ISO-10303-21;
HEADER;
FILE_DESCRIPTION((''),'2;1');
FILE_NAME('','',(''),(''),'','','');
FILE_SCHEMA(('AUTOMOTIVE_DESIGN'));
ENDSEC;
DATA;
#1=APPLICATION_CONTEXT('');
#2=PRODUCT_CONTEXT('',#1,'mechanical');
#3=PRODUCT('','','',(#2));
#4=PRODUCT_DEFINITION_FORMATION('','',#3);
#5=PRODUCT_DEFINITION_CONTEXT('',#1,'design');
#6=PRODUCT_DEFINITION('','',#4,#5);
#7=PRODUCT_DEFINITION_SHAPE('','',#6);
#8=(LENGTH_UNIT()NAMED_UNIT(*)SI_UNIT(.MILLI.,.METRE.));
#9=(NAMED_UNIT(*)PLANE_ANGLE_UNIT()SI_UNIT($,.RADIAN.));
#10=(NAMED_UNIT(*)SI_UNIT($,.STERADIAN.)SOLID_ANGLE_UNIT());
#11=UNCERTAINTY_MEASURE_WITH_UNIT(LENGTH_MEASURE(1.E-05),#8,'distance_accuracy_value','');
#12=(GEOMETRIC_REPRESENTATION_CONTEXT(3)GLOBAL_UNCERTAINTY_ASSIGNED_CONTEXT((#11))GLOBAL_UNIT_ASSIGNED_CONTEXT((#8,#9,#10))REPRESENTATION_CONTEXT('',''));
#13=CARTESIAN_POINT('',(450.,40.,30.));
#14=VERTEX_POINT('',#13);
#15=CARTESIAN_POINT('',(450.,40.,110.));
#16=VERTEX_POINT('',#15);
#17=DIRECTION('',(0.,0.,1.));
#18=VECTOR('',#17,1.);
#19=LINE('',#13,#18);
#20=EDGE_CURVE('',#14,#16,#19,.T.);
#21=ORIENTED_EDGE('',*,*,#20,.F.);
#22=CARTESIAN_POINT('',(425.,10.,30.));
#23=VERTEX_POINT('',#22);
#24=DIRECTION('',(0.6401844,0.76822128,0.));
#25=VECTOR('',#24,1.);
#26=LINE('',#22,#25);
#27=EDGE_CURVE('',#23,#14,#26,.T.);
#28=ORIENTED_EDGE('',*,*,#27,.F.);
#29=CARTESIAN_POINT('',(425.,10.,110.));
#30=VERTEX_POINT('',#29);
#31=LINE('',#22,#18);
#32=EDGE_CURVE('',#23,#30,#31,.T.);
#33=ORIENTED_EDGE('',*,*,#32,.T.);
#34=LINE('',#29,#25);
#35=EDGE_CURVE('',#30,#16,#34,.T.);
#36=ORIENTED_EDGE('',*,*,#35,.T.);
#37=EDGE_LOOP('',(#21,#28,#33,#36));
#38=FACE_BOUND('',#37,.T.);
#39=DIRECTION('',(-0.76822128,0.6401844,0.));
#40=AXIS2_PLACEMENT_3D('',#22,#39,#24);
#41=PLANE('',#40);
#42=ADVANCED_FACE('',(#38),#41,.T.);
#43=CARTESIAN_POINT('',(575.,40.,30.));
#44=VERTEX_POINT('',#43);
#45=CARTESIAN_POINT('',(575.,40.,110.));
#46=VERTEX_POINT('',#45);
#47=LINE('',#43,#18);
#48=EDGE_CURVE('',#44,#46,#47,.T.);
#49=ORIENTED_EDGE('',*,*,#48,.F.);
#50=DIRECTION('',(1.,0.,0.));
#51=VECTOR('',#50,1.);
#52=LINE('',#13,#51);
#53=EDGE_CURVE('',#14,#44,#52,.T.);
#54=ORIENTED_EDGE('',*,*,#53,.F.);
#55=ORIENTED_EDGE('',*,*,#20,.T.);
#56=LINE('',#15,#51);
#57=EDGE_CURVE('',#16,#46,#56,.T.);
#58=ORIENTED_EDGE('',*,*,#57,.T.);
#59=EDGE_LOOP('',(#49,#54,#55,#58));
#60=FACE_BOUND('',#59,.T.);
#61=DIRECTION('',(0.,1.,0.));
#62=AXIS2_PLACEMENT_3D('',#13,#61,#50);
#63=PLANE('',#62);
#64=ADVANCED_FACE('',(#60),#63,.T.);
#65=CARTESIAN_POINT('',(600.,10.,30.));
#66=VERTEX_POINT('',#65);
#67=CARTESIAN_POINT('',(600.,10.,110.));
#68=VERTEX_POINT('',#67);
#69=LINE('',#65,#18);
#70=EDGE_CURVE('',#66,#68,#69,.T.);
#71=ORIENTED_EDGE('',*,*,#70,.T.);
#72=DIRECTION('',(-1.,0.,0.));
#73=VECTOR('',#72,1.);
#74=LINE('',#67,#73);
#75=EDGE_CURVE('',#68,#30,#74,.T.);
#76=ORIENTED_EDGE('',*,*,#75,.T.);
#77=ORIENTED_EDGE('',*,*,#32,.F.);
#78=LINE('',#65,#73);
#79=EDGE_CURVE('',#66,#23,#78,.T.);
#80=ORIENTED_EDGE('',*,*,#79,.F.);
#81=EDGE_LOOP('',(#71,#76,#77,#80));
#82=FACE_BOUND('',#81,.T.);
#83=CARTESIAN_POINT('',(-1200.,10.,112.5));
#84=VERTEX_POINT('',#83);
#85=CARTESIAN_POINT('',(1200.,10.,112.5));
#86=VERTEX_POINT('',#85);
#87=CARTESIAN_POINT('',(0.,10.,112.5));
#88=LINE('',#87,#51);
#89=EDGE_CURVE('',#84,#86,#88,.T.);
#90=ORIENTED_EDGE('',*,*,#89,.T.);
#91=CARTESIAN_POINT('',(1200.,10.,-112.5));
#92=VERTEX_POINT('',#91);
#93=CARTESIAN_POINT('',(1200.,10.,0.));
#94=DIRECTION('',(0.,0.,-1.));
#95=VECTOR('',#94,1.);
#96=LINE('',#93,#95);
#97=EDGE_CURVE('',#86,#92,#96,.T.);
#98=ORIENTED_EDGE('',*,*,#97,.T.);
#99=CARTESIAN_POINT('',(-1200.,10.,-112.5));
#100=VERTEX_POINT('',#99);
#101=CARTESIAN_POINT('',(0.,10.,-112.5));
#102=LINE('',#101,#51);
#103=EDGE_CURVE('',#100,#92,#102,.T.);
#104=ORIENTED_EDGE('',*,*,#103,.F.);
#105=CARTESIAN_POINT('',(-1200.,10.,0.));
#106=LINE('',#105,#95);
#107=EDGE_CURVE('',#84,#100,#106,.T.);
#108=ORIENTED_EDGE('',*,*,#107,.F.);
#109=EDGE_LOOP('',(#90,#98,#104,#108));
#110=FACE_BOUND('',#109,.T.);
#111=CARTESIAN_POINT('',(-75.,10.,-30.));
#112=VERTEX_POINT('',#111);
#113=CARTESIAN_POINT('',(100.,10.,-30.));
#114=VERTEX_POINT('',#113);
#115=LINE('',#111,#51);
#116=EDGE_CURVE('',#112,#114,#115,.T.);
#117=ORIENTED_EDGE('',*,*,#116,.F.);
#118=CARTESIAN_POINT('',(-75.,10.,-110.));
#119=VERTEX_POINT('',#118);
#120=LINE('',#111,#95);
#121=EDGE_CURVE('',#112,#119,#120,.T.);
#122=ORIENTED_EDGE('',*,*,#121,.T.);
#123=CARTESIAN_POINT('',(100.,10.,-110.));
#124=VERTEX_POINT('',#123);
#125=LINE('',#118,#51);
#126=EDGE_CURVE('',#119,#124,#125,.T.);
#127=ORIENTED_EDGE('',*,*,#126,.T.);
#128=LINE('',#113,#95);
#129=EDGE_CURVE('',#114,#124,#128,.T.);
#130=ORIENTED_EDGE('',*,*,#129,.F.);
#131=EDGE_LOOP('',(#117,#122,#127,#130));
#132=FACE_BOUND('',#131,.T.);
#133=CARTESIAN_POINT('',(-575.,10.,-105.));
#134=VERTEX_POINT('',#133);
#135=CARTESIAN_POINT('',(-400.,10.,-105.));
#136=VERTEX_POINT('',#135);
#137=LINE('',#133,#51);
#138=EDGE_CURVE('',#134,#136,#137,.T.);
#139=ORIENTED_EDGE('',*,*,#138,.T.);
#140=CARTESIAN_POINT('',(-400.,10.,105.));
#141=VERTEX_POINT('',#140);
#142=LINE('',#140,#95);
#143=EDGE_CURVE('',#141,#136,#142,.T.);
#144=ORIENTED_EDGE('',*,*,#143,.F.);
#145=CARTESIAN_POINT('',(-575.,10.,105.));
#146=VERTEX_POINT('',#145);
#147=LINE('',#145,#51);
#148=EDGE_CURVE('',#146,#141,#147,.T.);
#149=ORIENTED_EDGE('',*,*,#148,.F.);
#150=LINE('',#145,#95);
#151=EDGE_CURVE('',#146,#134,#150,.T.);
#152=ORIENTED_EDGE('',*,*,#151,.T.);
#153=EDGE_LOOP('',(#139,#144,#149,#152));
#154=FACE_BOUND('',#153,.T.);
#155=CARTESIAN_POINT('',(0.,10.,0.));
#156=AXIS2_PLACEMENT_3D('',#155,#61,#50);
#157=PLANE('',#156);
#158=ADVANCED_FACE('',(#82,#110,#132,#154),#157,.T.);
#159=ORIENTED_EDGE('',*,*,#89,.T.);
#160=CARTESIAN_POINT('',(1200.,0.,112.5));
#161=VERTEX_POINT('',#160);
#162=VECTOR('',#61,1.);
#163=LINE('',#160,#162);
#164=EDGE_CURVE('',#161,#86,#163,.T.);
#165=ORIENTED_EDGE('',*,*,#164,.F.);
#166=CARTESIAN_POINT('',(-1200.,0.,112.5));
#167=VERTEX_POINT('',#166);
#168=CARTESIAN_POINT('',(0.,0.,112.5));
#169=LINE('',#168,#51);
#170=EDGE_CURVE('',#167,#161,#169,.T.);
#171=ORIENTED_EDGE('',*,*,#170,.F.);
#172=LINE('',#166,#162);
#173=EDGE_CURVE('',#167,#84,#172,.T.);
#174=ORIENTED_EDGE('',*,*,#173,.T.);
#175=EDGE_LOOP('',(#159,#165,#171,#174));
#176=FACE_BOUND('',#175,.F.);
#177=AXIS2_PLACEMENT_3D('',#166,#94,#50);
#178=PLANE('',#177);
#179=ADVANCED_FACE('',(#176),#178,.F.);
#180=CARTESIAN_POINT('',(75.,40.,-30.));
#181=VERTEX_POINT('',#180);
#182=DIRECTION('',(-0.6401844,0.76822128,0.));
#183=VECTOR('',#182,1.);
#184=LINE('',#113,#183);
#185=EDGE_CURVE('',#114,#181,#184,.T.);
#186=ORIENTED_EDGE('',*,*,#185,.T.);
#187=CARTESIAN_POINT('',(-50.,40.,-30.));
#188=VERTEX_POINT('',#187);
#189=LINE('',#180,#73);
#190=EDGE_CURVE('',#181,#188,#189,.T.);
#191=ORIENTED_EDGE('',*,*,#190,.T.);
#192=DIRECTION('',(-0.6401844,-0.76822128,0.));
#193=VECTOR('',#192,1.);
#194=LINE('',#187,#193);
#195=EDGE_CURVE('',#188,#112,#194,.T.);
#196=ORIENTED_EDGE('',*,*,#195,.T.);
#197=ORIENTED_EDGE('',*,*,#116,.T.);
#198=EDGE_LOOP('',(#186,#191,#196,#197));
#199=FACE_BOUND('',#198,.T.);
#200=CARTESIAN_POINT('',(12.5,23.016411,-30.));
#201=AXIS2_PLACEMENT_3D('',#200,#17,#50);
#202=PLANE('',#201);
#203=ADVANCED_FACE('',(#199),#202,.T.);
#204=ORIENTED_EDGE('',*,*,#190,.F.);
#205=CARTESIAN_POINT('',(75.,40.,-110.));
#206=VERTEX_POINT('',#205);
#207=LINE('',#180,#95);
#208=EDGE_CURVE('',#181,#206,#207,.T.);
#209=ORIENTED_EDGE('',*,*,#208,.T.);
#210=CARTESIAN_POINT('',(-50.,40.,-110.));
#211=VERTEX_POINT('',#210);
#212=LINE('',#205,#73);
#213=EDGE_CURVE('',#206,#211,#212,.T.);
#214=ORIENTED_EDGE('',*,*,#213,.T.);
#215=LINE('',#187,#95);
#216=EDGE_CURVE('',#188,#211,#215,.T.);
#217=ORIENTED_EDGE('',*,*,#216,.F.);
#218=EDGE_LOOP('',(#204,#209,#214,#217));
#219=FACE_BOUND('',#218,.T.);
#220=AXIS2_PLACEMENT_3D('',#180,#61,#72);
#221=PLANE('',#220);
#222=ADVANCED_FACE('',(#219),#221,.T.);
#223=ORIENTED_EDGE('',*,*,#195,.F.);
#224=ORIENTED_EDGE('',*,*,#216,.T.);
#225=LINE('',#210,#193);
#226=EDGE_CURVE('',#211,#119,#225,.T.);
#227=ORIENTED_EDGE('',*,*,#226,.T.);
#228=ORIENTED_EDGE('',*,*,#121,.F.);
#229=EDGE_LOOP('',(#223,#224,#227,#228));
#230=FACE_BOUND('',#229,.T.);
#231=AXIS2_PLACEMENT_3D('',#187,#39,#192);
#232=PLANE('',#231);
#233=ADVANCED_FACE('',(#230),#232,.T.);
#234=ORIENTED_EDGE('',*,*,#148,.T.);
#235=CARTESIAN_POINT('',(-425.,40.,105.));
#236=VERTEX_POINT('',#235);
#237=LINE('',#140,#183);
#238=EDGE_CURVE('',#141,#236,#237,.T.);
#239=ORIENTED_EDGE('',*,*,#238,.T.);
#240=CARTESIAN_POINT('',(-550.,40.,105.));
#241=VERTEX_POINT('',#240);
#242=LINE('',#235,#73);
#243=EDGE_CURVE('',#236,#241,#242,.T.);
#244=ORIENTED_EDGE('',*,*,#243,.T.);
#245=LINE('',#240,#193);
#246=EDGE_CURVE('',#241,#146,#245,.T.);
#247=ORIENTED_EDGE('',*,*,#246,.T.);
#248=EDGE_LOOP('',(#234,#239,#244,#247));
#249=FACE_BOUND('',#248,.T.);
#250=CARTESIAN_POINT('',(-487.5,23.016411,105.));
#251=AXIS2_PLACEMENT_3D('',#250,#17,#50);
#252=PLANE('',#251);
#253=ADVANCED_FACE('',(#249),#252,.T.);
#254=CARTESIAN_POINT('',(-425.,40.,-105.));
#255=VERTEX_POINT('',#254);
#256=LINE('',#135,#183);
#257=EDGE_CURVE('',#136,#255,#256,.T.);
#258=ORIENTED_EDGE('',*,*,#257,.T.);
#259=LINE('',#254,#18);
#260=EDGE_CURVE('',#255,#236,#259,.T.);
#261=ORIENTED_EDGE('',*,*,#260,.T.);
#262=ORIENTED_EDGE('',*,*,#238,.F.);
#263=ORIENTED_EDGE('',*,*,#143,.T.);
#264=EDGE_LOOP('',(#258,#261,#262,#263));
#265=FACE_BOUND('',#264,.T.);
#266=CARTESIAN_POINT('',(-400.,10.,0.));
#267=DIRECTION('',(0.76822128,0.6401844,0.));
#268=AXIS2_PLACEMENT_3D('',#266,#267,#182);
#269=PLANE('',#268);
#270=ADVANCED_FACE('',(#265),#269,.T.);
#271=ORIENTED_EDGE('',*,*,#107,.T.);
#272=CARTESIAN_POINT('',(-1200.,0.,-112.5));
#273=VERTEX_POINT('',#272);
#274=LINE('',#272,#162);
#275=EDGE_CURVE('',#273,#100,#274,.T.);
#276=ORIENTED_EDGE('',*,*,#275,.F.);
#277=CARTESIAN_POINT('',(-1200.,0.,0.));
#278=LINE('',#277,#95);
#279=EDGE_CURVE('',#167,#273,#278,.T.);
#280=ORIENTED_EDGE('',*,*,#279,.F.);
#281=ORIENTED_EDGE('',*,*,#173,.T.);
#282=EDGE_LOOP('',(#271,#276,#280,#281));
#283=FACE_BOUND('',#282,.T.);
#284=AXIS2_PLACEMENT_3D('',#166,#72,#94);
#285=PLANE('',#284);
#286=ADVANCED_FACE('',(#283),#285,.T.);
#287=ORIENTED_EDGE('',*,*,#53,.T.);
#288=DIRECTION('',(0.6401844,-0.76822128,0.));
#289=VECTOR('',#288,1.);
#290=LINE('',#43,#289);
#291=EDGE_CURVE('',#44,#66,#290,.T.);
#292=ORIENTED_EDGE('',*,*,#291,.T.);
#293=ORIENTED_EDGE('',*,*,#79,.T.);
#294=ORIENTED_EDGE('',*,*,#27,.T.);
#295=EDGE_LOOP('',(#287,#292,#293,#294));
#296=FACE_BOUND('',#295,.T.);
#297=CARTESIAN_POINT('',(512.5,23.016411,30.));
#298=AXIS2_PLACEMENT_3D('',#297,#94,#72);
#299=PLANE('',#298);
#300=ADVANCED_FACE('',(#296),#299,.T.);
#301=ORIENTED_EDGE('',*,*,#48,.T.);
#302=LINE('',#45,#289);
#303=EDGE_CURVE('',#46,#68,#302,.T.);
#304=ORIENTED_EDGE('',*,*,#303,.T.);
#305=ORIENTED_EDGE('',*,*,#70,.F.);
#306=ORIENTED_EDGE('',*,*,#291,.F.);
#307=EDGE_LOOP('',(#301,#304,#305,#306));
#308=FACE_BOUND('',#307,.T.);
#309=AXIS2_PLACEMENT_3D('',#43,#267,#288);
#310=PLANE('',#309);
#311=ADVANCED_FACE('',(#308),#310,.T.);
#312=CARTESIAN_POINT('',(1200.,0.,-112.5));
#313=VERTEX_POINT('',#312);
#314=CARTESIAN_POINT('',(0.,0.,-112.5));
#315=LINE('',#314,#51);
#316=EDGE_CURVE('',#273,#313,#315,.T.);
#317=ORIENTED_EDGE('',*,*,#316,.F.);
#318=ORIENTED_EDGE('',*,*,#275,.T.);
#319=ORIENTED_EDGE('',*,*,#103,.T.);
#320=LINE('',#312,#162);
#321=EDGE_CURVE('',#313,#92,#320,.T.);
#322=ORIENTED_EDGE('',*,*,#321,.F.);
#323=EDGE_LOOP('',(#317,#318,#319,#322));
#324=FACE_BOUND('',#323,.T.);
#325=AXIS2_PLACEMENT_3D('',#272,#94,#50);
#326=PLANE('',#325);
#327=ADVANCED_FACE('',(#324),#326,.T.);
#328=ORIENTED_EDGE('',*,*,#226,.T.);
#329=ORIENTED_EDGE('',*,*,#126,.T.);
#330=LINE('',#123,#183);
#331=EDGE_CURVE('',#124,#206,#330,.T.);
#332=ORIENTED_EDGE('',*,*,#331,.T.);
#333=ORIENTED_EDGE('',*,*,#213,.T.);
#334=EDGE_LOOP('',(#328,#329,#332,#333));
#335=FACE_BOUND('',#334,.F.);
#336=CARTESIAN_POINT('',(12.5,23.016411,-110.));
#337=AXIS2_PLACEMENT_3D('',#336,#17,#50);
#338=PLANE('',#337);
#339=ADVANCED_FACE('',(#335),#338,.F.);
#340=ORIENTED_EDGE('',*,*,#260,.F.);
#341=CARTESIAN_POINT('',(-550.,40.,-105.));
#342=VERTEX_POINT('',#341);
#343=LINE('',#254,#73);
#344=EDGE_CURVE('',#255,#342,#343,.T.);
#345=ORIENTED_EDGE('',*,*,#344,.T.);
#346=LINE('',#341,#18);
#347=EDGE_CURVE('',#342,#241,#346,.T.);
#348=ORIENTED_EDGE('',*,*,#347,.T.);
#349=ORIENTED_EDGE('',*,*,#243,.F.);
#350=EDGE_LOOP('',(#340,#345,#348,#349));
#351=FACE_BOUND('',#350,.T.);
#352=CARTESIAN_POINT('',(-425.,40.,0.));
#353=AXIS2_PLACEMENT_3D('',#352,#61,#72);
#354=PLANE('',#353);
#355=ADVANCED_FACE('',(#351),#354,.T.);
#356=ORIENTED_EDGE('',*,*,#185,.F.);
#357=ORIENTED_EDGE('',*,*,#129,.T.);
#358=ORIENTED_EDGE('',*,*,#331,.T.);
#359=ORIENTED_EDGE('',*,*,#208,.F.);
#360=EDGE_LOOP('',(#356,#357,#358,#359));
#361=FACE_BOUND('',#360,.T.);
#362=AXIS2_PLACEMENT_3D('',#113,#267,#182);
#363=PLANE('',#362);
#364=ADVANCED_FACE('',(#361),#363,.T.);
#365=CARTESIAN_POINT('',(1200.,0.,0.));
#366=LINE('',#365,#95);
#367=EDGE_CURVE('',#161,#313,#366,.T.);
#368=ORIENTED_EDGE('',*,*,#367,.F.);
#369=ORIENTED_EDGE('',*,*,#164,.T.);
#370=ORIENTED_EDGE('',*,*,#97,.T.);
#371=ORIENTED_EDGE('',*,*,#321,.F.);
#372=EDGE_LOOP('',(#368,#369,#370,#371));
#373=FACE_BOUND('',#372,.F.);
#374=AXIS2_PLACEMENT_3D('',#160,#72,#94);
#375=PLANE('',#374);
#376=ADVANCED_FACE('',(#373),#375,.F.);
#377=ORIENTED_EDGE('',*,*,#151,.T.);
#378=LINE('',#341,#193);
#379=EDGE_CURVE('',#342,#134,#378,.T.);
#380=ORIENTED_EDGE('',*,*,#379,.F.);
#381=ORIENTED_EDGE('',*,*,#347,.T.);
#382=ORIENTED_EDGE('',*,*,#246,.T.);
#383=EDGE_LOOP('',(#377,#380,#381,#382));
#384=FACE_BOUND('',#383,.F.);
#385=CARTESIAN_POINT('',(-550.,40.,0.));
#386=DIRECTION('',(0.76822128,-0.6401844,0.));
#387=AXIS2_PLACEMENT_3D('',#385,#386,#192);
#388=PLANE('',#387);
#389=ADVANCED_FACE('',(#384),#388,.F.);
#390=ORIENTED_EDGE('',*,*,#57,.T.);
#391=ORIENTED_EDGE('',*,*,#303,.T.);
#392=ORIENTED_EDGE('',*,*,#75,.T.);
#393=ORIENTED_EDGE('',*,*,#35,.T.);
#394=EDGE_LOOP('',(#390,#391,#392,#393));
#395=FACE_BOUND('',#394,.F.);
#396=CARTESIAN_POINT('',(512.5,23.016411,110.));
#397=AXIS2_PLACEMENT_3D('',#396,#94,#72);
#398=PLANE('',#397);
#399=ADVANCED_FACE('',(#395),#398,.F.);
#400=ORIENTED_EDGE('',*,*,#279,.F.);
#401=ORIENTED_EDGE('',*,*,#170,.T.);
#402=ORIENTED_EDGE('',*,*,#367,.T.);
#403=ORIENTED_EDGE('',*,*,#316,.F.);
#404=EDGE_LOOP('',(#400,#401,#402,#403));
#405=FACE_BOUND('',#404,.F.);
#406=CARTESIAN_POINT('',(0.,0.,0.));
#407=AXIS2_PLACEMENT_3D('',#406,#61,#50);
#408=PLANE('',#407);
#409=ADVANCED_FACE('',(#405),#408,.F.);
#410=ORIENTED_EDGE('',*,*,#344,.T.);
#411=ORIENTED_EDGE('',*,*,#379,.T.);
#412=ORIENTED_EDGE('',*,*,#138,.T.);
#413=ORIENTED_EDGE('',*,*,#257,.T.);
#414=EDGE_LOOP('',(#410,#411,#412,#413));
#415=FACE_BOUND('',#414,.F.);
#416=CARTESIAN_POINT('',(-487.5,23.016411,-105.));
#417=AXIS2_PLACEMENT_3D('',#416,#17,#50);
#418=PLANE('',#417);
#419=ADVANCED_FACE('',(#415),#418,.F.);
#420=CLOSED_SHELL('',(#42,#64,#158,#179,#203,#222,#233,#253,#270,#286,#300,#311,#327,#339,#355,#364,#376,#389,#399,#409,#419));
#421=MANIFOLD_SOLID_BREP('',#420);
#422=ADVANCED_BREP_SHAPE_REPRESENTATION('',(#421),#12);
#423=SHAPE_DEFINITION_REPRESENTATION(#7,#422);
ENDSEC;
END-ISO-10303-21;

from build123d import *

# Parameters (mm, degrees)
SKETCH1_W                = 2400
SKETCH1_H                = 225
BOSS_EXTRUDE1_DEPTH      = 10
BOSS_EXTRUDE4_START      = 30
BOSS_EXTRUDE4_DEPTH      = 80
BOSS_EXTRUDE5_START      = -30
BOSS_EXTRUDE5_DEPTH      = 80
BOSS_EXTRUDE6_DEPTH      = 105
BOSS_EXTRUDE6_DEPTH_BACK = 105


with BuildPart() as part:
    # Sketch1 → Boss-Extrude1 (new body)
    with BuildSketch(Plane(origin=(0, 0, 0), x_dir=(1, 0, 0), z_dir=(0, 1, 0))):
        Rectangle(SKETCH1_W, SKETCH1_H)
    extrude(amount=BOSS_EXTRUDE1_DEPTH)

    # Sketch8 → Boss-Extrude4 (add)
    with BuildSketch(Plane.XY.offset(BOSS_EXTRUDE4_START)):
        Polygon((425, 10), (450, 40), (575, 40), (600, 10), align=None)
    extrude(amount=BOSS_EXTRUDE4_DEPTH)

    # Sketch14 → Boss-Extrude5 (add)
    with BuildSketch(Plane.XY.offset(BOSS_EXTRUDE5_START)):
        Polygon((-75, 10), (100, 10), (75, 40), (-50, 40), align=None)
    extrude(amount=-BOSS_EXTRUDE5_DEPTH)

    # Sketch15 → Boss-Extrude6 (add, two sides)
    with BuildSketch(Plane.XY) as boss_extrude6_sk:
        Polygon((-400, 10), (-425, 40), (-550, 40), (-575, 10), align=None)
    extrude(amount=BOSS_EXTRUDE6_DEPTH)
    extrude(boss_extrude6_sk.sketch, amount=-BOSS_EXTRUDE6_DEPTH_BACK)


solid = part.part
